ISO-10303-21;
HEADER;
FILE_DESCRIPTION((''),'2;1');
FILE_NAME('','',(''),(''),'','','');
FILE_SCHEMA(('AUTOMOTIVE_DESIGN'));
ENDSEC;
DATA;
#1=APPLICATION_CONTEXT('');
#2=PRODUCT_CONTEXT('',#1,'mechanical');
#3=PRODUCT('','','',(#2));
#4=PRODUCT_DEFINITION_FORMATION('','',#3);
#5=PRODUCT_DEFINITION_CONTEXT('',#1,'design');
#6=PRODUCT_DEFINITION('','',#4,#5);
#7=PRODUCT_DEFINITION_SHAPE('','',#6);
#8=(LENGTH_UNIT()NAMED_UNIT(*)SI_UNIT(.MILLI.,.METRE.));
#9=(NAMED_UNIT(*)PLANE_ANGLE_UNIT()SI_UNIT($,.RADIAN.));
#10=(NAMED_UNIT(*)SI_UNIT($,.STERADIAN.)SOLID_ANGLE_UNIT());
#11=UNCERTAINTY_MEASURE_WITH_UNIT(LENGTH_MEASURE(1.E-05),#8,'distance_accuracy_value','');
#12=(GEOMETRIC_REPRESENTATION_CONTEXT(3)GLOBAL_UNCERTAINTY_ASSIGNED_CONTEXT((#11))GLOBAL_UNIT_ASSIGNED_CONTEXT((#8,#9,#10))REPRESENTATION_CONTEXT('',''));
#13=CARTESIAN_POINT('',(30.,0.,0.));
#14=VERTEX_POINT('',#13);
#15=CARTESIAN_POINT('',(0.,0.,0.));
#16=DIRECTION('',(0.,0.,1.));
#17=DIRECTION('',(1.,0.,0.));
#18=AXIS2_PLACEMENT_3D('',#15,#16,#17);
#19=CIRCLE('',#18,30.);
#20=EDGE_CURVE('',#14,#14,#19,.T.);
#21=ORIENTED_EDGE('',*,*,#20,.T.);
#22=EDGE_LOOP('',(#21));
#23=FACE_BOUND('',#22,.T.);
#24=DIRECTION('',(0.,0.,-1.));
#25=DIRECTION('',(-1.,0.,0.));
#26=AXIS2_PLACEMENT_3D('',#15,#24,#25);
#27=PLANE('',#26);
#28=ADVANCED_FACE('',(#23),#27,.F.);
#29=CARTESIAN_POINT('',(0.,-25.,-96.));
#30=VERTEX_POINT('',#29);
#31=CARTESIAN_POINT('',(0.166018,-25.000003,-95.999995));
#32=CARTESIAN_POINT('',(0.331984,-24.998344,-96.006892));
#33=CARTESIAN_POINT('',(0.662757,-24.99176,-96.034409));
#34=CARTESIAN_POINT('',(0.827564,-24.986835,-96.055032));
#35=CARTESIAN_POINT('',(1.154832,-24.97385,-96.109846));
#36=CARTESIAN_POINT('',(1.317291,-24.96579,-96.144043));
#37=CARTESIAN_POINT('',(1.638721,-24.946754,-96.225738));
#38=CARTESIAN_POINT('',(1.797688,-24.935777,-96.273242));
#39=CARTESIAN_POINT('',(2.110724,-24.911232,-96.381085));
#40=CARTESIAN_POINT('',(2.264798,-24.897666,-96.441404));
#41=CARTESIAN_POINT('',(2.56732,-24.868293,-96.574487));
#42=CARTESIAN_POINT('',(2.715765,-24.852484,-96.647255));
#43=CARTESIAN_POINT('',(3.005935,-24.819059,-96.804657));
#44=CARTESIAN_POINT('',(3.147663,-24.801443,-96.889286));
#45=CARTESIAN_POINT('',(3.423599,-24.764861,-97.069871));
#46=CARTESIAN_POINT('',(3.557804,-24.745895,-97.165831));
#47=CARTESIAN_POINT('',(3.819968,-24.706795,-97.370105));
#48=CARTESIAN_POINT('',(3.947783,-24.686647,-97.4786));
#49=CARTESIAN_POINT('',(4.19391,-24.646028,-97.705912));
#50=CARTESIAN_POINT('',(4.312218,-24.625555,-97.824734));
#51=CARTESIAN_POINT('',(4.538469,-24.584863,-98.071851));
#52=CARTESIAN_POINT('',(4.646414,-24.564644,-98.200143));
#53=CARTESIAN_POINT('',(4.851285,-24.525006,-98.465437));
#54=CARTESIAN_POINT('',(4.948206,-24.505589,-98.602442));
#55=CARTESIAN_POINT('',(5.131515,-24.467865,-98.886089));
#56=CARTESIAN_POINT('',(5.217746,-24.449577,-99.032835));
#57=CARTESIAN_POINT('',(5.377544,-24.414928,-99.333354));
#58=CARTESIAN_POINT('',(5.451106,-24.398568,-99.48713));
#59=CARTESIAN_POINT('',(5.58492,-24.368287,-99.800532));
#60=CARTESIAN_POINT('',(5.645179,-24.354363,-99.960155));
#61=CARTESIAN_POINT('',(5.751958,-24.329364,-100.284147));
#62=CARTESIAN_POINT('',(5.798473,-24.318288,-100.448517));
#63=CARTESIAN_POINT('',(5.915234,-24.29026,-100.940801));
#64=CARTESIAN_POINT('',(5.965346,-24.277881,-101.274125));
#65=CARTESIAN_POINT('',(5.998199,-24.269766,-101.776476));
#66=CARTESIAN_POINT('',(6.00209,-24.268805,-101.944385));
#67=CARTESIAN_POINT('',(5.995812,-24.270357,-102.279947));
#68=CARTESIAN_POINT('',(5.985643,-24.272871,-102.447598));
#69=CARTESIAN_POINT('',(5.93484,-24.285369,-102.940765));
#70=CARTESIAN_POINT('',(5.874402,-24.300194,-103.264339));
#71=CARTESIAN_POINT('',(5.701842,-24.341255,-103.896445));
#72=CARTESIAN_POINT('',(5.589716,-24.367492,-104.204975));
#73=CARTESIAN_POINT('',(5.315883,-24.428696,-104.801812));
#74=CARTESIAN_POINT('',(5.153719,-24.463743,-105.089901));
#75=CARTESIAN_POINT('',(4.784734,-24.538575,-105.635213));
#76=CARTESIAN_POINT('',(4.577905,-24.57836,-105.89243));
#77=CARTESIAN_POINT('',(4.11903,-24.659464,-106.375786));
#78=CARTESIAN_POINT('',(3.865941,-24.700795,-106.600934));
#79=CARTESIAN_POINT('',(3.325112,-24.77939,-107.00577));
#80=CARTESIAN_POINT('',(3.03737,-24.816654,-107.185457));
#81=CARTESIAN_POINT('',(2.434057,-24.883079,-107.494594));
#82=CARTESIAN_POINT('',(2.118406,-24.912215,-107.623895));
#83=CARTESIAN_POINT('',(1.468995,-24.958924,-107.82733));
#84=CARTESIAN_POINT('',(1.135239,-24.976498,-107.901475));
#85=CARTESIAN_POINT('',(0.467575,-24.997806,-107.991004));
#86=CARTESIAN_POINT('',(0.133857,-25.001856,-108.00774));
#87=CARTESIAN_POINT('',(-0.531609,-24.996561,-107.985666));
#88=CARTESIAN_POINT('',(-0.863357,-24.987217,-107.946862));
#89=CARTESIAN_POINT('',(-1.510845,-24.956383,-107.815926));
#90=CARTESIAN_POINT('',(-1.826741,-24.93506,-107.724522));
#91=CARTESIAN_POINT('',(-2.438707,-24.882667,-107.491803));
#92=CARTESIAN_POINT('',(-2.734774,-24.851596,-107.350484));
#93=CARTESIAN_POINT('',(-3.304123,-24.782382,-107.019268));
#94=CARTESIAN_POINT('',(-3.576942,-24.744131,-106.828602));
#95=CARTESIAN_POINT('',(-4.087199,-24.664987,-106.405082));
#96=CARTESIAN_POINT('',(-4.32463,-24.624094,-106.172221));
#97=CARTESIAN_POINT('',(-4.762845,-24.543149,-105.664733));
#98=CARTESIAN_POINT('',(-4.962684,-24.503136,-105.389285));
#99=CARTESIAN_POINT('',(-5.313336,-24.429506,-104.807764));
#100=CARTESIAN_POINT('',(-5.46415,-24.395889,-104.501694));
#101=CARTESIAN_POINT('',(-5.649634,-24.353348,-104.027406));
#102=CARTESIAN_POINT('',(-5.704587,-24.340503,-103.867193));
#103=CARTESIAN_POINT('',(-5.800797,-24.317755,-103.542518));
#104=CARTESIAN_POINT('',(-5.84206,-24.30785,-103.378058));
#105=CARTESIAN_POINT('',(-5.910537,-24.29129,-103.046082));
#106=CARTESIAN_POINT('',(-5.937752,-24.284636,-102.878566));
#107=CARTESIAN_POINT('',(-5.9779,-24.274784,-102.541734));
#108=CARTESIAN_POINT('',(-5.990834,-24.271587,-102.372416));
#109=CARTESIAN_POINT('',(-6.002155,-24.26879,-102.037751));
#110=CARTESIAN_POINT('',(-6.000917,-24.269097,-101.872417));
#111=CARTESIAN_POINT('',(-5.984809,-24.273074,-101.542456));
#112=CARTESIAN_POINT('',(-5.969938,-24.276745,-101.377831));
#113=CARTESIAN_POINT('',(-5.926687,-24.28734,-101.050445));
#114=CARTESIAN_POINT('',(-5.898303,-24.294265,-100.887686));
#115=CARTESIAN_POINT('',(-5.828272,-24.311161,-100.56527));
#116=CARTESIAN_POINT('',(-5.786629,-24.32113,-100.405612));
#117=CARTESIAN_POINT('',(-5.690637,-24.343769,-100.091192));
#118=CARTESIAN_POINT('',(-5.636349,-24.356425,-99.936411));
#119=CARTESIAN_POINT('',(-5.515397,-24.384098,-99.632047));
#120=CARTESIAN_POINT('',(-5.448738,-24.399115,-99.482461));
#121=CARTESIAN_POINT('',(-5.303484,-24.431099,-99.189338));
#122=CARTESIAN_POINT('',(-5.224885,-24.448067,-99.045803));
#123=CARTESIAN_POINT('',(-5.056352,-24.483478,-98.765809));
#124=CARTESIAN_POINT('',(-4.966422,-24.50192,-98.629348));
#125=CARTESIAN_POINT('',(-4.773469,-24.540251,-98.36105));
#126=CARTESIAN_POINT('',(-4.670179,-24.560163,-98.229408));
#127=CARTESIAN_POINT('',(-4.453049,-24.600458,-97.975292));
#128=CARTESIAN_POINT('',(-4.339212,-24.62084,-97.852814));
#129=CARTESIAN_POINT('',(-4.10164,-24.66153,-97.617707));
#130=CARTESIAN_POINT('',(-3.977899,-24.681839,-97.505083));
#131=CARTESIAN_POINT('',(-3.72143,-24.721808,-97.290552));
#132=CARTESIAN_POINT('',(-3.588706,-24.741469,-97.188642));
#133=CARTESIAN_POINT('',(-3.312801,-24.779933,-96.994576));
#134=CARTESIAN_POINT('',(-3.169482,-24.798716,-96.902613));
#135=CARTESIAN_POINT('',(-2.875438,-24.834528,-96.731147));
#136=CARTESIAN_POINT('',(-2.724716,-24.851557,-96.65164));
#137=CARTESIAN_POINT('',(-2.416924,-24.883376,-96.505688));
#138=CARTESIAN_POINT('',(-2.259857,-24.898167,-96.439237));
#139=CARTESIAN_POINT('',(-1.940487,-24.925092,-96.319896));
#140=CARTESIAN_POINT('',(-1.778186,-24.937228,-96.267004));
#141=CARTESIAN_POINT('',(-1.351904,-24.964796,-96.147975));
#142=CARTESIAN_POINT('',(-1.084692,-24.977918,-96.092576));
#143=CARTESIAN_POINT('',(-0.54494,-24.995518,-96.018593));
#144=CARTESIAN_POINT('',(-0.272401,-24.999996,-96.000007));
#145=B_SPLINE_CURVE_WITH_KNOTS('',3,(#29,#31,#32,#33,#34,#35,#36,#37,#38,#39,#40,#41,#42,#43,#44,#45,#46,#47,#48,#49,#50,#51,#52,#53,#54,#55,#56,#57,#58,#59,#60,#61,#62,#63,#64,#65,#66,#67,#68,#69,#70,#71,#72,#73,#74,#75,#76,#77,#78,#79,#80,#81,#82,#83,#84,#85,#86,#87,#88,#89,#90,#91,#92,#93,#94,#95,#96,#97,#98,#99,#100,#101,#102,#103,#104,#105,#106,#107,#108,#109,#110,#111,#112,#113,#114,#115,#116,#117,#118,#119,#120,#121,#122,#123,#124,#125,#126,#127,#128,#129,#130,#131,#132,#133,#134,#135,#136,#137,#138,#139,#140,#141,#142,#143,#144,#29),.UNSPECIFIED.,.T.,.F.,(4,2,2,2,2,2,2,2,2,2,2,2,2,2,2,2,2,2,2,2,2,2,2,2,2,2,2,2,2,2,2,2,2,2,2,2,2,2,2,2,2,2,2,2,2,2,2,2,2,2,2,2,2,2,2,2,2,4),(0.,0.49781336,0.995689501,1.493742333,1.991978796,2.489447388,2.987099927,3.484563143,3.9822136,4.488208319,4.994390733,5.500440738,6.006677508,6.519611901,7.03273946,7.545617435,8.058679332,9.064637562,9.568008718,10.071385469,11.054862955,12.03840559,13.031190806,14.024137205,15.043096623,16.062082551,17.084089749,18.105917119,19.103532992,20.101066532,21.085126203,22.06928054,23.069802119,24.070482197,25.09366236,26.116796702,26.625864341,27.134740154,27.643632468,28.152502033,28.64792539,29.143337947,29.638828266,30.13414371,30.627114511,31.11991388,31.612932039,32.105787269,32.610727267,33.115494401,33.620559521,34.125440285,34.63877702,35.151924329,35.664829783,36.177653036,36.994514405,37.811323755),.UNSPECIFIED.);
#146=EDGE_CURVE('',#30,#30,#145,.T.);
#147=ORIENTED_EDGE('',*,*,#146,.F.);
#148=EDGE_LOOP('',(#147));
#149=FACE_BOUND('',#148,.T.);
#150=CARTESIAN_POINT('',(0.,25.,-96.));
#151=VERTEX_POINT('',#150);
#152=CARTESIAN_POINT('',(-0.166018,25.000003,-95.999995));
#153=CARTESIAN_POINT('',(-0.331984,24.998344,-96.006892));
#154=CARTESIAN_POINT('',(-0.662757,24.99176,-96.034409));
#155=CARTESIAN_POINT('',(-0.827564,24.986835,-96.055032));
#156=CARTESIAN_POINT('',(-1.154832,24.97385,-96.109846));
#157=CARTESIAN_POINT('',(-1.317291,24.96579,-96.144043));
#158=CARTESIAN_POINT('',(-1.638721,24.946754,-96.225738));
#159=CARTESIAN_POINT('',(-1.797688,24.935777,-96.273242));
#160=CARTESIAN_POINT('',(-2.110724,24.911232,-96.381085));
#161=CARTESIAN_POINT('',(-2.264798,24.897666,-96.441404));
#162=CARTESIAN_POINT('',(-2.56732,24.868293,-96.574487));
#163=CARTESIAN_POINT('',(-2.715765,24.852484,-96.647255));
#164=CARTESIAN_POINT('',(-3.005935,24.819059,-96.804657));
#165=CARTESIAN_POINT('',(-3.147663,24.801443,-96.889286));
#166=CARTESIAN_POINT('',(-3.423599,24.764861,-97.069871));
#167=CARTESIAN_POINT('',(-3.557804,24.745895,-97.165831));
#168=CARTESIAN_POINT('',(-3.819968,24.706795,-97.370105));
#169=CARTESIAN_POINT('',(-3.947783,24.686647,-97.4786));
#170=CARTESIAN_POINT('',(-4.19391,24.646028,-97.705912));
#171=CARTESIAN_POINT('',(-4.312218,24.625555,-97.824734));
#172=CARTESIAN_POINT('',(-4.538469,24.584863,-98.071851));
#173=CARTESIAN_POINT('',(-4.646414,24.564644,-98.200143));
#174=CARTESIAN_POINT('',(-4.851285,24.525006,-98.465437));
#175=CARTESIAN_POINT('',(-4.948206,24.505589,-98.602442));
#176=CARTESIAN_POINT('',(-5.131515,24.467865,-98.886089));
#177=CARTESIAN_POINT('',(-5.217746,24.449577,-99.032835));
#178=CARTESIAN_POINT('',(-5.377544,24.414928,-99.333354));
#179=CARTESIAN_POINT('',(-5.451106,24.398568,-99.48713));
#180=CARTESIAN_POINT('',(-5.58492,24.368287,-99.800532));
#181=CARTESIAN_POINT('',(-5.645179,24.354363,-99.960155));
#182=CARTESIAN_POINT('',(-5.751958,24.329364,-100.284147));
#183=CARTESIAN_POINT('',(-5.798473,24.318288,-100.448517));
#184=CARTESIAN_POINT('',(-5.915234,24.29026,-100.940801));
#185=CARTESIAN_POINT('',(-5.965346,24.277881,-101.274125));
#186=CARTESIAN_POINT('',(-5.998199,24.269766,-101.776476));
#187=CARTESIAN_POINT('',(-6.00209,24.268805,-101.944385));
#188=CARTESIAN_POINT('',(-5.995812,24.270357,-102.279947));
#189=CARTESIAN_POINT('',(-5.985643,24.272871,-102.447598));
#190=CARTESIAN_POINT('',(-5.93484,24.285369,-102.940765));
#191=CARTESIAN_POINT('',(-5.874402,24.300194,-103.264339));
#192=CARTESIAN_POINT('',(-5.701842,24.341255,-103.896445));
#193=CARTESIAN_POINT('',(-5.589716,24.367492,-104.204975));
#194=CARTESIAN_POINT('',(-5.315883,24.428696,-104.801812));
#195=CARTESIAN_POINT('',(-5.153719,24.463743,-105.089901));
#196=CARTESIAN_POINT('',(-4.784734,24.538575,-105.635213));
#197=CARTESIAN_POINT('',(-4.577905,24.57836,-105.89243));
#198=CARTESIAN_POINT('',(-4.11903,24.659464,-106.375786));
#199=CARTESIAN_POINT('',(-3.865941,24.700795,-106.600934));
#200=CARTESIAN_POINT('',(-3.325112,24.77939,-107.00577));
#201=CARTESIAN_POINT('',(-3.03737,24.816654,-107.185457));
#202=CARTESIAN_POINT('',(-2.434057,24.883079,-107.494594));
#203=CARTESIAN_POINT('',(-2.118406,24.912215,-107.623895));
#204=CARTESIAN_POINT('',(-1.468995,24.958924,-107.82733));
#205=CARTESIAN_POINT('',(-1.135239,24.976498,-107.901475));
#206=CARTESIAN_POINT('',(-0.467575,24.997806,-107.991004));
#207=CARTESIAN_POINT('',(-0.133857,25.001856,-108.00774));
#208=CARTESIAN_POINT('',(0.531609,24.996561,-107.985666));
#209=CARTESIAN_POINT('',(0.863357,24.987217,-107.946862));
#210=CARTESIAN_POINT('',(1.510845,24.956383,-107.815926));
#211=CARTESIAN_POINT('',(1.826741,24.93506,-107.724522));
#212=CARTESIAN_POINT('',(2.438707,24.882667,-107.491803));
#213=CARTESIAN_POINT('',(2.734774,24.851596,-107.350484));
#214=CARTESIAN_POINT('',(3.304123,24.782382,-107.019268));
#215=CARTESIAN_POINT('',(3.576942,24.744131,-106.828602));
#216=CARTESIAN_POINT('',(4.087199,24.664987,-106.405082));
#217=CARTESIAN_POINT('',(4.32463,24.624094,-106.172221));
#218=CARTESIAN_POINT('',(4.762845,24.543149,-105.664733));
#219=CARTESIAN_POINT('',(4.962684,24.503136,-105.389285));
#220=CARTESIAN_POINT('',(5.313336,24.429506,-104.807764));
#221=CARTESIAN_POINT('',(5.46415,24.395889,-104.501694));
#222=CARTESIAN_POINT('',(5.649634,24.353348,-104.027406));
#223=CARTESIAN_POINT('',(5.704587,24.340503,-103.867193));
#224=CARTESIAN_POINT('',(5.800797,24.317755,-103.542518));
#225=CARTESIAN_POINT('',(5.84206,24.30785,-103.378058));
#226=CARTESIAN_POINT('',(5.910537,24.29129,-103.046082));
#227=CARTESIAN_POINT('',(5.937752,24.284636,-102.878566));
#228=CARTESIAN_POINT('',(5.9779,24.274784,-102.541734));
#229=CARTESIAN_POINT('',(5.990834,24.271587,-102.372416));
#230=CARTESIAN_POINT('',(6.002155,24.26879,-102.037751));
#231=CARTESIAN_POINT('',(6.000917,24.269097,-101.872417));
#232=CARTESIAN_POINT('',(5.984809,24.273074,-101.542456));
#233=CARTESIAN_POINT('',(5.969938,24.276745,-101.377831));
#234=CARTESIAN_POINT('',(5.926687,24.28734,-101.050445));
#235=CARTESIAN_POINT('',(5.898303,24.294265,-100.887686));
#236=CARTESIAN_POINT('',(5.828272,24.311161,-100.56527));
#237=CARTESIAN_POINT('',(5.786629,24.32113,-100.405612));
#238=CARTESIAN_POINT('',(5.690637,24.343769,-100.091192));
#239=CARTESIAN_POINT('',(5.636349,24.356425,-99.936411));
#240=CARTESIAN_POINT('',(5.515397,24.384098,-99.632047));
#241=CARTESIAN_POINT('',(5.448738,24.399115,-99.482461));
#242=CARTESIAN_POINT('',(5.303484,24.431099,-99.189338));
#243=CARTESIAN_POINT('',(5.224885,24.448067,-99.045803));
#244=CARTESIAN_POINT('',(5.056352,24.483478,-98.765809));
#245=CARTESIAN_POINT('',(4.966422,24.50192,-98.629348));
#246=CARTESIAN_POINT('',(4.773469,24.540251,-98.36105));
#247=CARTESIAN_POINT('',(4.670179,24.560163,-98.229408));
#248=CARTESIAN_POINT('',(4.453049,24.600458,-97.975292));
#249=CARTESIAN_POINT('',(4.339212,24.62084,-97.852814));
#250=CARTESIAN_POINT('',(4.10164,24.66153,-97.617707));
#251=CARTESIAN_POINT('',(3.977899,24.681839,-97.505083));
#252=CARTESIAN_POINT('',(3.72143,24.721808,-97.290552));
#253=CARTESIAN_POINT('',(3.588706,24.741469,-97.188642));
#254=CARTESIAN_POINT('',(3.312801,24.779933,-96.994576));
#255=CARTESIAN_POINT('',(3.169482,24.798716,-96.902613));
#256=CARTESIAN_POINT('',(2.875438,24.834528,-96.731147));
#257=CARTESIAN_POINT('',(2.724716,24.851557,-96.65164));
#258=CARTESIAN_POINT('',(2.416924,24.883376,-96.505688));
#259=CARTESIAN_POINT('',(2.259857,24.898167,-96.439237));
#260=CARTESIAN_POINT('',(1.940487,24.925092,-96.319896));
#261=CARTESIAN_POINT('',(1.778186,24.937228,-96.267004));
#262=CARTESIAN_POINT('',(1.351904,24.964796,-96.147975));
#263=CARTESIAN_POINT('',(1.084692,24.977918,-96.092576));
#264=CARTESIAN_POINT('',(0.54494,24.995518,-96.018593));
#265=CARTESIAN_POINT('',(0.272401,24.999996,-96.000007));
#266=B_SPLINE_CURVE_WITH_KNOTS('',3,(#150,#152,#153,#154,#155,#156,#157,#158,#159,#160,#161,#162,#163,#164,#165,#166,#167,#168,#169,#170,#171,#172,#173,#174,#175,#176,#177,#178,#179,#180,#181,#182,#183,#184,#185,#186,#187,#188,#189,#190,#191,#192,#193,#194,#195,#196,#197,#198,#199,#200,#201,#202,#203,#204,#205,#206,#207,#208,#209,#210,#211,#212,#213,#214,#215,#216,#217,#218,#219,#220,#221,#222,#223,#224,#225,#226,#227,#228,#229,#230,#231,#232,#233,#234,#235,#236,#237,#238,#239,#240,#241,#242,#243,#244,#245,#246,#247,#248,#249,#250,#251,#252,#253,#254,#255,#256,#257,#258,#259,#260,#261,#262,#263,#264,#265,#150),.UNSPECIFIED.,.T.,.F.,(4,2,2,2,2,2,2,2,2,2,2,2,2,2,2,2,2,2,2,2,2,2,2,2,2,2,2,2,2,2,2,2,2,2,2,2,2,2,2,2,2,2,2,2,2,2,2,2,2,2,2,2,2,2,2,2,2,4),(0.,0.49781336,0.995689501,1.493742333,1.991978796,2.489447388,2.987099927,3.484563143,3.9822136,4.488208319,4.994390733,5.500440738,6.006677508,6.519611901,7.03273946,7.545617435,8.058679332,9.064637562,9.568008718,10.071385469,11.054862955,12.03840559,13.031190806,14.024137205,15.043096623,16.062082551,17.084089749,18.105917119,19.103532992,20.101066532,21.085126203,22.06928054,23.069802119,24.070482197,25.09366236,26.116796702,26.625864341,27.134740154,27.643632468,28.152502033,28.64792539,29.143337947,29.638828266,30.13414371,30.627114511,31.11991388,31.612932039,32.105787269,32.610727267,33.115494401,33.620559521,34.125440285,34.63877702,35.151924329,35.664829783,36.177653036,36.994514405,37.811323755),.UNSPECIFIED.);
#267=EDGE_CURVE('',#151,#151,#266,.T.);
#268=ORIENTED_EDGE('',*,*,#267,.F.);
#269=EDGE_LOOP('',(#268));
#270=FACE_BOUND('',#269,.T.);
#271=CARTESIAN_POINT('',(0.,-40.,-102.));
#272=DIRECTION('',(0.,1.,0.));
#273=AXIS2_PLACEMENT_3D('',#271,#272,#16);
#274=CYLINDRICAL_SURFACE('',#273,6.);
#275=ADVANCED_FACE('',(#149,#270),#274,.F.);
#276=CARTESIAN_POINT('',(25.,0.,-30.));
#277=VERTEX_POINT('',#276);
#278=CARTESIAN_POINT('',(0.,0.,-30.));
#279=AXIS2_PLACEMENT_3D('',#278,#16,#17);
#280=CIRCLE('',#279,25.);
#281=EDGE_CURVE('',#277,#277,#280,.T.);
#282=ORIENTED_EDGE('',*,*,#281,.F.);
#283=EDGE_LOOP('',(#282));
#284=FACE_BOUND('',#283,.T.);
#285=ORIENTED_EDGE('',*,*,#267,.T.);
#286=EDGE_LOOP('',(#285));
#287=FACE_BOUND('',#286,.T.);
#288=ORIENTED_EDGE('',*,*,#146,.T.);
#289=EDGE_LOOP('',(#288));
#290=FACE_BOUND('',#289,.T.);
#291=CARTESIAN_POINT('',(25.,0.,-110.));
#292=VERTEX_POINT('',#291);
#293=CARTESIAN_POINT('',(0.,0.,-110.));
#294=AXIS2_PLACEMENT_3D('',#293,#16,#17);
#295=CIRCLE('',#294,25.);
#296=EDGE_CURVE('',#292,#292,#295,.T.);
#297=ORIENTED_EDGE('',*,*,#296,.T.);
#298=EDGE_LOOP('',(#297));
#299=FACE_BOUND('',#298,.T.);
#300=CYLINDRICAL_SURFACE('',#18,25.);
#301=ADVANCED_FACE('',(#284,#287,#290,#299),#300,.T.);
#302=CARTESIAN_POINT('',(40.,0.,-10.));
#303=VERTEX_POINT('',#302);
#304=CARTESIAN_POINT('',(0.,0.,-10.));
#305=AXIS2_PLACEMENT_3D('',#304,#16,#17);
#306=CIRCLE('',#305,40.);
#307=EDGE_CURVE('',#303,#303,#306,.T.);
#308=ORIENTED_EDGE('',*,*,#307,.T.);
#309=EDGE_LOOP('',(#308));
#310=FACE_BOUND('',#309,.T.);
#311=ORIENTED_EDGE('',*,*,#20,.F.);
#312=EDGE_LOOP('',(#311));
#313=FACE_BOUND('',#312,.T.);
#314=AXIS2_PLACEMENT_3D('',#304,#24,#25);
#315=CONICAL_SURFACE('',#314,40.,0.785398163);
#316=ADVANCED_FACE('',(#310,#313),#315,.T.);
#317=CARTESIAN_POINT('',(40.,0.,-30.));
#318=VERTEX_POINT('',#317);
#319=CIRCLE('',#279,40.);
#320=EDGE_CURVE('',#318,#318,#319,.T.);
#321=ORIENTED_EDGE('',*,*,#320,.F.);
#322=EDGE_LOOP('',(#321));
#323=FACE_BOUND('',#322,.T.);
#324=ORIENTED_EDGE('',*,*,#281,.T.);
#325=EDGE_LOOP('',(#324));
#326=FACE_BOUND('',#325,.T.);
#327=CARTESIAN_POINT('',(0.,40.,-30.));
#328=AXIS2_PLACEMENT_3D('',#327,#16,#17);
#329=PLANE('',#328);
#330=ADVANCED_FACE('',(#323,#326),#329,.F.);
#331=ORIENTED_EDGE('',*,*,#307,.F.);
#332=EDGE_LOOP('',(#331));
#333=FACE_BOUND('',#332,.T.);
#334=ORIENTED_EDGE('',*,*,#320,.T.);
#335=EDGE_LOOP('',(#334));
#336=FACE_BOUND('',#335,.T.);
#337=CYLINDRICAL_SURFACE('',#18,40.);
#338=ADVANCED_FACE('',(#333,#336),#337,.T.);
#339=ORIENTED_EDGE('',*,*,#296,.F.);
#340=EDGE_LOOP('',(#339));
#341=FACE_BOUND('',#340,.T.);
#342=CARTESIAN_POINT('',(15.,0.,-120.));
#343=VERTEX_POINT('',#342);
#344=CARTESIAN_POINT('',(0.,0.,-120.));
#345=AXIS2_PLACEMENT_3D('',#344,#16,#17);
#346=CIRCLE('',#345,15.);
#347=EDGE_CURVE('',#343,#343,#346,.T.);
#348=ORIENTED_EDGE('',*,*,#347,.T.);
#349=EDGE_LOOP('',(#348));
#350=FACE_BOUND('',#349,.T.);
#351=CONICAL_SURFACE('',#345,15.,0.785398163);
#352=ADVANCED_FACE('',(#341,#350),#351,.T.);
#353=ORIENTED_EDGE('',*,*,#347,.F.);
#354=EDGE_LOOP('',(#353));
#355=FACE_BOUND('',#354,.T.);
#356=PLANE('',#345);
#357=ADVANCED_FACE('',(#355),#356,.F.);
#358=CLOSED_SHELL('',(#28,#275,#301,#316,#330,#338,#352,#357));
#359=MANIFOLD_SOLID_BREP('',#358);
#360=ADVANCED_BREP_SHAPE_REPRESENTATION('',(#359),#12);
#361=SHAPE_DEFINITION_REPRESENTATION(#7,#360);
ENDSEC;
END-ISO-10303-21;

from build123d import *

# Parameters (mm, degrees)
CUT_EXTRUDE1_DEPTH      = 133.664991614
CUT_EXTRUDE1_DEPTH_BACK = 133.664991614
SKETCH2_R               = 6


with BuildPart() as part:
    # Sketch1 → Revolve1 (revolve)
    with BuildSketch(Plane(origin=(0, 0, 0), x_dir=(0, 0, -1), z_dir=(1, 0, 0)), mode=Mode.PRIVATE) as revolve1_sk:
        Polygon((0, 0), (120, 0), (120, 15), (110, 25), (30, 25), (30, 40), (10, 40), (0, 30), align=None)
    revolve(revolve1_sk.sketch.rotate(Axis((0, 0, 0), (0, 0, -1)), 90), axis=Axis((0, 0, 0), (0, 0, -1)))

    # Sketch2 → Cut-Extrude1 (cut, two sides: drawn at the far end of the back side and taken through both)
    with BuildSketch(Plane(origin=(0, 0, 0), x_dir=(1, 0, 0), z_dir=(0, 1, 0)).offset(-CUT_EXTRUDE1_DEPTH_BACK)):
        with Locations(Location((0, 102, 0), (0, 0, 270))):
            Circle(SKETCH2_R)
    extrude(amount=CUT_EXTRUDE1_DEPTH + CUT_EXTRUDE1_DEPTH_BACK, mode=Mode.SUBTRACT)


solid = part.part
